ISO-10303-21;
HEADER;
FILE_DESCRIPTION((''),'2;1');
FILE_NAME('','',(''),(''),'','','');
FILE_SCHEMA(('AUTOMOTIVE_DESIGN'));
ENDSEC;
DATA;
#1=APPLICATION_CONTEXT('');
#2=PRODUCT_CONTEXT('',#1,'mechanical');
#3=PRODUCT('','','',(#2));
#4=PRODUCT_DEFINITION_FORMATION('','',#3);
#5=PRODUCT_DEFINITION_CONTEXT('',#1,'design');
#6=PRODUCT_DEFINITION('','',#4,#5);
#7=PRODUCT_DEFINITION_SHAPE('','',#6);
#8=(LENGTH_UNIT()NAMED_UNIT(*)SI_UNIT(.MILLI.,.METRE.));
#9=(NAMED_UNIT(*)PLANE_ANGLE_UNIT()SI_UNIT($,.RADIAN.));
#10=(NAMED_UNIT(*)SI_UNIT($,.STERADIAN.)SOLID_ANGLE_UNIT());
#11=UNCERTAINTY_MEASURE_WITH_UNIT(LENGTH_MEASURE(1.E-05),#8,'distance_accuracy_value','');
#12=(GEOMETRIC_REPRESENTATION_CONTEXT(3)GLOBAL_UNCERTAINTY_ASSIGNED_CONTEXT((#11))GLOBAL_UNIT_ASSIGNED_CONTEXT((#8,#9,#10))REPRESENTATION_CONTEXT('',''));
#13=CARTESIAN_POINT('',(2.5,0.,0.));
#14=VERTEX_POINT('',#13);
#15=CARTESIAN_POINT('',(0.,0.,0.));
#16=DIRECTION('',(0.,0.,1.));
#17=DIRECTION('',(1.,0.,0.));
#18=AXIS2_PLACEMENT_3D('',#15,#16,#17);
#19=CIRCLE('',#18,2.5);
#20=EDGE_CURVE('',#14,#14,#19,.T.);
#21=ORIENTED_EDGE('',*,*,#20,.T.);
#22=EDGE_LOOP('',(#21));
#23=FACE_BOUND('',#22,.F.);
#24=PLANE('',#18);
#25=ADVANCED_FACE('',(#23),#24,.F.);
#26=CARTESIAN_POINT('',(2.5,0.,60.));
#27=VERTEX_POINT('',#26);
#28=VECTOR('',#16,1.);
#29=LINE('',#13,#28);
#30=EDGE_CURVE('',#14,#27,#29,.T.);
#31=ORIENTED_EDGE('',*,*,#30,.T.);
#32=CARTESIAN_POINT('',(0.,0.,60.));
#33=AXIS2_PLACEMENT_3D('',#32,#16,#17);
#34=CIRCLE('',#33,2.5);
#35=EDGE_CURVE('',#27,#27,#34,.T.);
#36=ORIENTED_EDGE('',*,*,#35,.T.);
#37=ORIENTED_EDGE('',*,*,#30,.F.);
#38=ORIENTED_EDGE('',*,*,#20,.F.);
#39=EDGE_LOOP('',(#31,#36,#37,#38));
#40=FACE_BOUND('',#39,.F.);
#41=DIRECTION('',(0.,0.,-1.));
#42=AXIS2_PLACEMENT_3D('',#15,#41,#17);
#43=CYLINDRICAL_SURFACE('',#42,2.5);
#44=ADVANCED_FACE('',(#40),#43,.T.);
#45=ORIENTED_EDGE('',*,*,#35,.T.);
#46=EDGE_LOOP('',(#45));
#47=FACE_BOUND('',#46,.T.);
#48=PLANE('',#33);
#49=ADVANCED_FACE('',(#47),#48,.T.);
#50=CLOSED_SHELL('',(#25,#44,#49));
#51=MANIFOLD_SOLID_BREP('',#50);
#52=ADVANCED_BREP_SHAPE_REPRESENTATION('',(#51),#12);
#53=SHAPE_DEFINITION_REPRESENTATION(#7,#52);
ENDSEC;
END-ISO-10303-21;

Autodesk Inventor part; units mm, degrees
ref_plane "YZ Plane" through (0, 0, 0) normal (1, 0, 0) x (0, 1, 0)
ref_plane "XZ Plane" through (0, 0, 0) normal (0, 1, 0) x (-1, 0, 0)
ref_plane "XY Plane" through (0, 0, 0) normal (0, 0, 1) x (1, 0, 0)
sketch "Sketch1" plane through (0, 0, 0) normal (0, 0, 1) x (1, 0, 0)
  circle A0 centre (0, 0) radius 2.5
  dimension "d0" = 5
extrude "Extrusion1" add sketch "Sketch1" along normal blind 60
properties part number "S.arm.support"
